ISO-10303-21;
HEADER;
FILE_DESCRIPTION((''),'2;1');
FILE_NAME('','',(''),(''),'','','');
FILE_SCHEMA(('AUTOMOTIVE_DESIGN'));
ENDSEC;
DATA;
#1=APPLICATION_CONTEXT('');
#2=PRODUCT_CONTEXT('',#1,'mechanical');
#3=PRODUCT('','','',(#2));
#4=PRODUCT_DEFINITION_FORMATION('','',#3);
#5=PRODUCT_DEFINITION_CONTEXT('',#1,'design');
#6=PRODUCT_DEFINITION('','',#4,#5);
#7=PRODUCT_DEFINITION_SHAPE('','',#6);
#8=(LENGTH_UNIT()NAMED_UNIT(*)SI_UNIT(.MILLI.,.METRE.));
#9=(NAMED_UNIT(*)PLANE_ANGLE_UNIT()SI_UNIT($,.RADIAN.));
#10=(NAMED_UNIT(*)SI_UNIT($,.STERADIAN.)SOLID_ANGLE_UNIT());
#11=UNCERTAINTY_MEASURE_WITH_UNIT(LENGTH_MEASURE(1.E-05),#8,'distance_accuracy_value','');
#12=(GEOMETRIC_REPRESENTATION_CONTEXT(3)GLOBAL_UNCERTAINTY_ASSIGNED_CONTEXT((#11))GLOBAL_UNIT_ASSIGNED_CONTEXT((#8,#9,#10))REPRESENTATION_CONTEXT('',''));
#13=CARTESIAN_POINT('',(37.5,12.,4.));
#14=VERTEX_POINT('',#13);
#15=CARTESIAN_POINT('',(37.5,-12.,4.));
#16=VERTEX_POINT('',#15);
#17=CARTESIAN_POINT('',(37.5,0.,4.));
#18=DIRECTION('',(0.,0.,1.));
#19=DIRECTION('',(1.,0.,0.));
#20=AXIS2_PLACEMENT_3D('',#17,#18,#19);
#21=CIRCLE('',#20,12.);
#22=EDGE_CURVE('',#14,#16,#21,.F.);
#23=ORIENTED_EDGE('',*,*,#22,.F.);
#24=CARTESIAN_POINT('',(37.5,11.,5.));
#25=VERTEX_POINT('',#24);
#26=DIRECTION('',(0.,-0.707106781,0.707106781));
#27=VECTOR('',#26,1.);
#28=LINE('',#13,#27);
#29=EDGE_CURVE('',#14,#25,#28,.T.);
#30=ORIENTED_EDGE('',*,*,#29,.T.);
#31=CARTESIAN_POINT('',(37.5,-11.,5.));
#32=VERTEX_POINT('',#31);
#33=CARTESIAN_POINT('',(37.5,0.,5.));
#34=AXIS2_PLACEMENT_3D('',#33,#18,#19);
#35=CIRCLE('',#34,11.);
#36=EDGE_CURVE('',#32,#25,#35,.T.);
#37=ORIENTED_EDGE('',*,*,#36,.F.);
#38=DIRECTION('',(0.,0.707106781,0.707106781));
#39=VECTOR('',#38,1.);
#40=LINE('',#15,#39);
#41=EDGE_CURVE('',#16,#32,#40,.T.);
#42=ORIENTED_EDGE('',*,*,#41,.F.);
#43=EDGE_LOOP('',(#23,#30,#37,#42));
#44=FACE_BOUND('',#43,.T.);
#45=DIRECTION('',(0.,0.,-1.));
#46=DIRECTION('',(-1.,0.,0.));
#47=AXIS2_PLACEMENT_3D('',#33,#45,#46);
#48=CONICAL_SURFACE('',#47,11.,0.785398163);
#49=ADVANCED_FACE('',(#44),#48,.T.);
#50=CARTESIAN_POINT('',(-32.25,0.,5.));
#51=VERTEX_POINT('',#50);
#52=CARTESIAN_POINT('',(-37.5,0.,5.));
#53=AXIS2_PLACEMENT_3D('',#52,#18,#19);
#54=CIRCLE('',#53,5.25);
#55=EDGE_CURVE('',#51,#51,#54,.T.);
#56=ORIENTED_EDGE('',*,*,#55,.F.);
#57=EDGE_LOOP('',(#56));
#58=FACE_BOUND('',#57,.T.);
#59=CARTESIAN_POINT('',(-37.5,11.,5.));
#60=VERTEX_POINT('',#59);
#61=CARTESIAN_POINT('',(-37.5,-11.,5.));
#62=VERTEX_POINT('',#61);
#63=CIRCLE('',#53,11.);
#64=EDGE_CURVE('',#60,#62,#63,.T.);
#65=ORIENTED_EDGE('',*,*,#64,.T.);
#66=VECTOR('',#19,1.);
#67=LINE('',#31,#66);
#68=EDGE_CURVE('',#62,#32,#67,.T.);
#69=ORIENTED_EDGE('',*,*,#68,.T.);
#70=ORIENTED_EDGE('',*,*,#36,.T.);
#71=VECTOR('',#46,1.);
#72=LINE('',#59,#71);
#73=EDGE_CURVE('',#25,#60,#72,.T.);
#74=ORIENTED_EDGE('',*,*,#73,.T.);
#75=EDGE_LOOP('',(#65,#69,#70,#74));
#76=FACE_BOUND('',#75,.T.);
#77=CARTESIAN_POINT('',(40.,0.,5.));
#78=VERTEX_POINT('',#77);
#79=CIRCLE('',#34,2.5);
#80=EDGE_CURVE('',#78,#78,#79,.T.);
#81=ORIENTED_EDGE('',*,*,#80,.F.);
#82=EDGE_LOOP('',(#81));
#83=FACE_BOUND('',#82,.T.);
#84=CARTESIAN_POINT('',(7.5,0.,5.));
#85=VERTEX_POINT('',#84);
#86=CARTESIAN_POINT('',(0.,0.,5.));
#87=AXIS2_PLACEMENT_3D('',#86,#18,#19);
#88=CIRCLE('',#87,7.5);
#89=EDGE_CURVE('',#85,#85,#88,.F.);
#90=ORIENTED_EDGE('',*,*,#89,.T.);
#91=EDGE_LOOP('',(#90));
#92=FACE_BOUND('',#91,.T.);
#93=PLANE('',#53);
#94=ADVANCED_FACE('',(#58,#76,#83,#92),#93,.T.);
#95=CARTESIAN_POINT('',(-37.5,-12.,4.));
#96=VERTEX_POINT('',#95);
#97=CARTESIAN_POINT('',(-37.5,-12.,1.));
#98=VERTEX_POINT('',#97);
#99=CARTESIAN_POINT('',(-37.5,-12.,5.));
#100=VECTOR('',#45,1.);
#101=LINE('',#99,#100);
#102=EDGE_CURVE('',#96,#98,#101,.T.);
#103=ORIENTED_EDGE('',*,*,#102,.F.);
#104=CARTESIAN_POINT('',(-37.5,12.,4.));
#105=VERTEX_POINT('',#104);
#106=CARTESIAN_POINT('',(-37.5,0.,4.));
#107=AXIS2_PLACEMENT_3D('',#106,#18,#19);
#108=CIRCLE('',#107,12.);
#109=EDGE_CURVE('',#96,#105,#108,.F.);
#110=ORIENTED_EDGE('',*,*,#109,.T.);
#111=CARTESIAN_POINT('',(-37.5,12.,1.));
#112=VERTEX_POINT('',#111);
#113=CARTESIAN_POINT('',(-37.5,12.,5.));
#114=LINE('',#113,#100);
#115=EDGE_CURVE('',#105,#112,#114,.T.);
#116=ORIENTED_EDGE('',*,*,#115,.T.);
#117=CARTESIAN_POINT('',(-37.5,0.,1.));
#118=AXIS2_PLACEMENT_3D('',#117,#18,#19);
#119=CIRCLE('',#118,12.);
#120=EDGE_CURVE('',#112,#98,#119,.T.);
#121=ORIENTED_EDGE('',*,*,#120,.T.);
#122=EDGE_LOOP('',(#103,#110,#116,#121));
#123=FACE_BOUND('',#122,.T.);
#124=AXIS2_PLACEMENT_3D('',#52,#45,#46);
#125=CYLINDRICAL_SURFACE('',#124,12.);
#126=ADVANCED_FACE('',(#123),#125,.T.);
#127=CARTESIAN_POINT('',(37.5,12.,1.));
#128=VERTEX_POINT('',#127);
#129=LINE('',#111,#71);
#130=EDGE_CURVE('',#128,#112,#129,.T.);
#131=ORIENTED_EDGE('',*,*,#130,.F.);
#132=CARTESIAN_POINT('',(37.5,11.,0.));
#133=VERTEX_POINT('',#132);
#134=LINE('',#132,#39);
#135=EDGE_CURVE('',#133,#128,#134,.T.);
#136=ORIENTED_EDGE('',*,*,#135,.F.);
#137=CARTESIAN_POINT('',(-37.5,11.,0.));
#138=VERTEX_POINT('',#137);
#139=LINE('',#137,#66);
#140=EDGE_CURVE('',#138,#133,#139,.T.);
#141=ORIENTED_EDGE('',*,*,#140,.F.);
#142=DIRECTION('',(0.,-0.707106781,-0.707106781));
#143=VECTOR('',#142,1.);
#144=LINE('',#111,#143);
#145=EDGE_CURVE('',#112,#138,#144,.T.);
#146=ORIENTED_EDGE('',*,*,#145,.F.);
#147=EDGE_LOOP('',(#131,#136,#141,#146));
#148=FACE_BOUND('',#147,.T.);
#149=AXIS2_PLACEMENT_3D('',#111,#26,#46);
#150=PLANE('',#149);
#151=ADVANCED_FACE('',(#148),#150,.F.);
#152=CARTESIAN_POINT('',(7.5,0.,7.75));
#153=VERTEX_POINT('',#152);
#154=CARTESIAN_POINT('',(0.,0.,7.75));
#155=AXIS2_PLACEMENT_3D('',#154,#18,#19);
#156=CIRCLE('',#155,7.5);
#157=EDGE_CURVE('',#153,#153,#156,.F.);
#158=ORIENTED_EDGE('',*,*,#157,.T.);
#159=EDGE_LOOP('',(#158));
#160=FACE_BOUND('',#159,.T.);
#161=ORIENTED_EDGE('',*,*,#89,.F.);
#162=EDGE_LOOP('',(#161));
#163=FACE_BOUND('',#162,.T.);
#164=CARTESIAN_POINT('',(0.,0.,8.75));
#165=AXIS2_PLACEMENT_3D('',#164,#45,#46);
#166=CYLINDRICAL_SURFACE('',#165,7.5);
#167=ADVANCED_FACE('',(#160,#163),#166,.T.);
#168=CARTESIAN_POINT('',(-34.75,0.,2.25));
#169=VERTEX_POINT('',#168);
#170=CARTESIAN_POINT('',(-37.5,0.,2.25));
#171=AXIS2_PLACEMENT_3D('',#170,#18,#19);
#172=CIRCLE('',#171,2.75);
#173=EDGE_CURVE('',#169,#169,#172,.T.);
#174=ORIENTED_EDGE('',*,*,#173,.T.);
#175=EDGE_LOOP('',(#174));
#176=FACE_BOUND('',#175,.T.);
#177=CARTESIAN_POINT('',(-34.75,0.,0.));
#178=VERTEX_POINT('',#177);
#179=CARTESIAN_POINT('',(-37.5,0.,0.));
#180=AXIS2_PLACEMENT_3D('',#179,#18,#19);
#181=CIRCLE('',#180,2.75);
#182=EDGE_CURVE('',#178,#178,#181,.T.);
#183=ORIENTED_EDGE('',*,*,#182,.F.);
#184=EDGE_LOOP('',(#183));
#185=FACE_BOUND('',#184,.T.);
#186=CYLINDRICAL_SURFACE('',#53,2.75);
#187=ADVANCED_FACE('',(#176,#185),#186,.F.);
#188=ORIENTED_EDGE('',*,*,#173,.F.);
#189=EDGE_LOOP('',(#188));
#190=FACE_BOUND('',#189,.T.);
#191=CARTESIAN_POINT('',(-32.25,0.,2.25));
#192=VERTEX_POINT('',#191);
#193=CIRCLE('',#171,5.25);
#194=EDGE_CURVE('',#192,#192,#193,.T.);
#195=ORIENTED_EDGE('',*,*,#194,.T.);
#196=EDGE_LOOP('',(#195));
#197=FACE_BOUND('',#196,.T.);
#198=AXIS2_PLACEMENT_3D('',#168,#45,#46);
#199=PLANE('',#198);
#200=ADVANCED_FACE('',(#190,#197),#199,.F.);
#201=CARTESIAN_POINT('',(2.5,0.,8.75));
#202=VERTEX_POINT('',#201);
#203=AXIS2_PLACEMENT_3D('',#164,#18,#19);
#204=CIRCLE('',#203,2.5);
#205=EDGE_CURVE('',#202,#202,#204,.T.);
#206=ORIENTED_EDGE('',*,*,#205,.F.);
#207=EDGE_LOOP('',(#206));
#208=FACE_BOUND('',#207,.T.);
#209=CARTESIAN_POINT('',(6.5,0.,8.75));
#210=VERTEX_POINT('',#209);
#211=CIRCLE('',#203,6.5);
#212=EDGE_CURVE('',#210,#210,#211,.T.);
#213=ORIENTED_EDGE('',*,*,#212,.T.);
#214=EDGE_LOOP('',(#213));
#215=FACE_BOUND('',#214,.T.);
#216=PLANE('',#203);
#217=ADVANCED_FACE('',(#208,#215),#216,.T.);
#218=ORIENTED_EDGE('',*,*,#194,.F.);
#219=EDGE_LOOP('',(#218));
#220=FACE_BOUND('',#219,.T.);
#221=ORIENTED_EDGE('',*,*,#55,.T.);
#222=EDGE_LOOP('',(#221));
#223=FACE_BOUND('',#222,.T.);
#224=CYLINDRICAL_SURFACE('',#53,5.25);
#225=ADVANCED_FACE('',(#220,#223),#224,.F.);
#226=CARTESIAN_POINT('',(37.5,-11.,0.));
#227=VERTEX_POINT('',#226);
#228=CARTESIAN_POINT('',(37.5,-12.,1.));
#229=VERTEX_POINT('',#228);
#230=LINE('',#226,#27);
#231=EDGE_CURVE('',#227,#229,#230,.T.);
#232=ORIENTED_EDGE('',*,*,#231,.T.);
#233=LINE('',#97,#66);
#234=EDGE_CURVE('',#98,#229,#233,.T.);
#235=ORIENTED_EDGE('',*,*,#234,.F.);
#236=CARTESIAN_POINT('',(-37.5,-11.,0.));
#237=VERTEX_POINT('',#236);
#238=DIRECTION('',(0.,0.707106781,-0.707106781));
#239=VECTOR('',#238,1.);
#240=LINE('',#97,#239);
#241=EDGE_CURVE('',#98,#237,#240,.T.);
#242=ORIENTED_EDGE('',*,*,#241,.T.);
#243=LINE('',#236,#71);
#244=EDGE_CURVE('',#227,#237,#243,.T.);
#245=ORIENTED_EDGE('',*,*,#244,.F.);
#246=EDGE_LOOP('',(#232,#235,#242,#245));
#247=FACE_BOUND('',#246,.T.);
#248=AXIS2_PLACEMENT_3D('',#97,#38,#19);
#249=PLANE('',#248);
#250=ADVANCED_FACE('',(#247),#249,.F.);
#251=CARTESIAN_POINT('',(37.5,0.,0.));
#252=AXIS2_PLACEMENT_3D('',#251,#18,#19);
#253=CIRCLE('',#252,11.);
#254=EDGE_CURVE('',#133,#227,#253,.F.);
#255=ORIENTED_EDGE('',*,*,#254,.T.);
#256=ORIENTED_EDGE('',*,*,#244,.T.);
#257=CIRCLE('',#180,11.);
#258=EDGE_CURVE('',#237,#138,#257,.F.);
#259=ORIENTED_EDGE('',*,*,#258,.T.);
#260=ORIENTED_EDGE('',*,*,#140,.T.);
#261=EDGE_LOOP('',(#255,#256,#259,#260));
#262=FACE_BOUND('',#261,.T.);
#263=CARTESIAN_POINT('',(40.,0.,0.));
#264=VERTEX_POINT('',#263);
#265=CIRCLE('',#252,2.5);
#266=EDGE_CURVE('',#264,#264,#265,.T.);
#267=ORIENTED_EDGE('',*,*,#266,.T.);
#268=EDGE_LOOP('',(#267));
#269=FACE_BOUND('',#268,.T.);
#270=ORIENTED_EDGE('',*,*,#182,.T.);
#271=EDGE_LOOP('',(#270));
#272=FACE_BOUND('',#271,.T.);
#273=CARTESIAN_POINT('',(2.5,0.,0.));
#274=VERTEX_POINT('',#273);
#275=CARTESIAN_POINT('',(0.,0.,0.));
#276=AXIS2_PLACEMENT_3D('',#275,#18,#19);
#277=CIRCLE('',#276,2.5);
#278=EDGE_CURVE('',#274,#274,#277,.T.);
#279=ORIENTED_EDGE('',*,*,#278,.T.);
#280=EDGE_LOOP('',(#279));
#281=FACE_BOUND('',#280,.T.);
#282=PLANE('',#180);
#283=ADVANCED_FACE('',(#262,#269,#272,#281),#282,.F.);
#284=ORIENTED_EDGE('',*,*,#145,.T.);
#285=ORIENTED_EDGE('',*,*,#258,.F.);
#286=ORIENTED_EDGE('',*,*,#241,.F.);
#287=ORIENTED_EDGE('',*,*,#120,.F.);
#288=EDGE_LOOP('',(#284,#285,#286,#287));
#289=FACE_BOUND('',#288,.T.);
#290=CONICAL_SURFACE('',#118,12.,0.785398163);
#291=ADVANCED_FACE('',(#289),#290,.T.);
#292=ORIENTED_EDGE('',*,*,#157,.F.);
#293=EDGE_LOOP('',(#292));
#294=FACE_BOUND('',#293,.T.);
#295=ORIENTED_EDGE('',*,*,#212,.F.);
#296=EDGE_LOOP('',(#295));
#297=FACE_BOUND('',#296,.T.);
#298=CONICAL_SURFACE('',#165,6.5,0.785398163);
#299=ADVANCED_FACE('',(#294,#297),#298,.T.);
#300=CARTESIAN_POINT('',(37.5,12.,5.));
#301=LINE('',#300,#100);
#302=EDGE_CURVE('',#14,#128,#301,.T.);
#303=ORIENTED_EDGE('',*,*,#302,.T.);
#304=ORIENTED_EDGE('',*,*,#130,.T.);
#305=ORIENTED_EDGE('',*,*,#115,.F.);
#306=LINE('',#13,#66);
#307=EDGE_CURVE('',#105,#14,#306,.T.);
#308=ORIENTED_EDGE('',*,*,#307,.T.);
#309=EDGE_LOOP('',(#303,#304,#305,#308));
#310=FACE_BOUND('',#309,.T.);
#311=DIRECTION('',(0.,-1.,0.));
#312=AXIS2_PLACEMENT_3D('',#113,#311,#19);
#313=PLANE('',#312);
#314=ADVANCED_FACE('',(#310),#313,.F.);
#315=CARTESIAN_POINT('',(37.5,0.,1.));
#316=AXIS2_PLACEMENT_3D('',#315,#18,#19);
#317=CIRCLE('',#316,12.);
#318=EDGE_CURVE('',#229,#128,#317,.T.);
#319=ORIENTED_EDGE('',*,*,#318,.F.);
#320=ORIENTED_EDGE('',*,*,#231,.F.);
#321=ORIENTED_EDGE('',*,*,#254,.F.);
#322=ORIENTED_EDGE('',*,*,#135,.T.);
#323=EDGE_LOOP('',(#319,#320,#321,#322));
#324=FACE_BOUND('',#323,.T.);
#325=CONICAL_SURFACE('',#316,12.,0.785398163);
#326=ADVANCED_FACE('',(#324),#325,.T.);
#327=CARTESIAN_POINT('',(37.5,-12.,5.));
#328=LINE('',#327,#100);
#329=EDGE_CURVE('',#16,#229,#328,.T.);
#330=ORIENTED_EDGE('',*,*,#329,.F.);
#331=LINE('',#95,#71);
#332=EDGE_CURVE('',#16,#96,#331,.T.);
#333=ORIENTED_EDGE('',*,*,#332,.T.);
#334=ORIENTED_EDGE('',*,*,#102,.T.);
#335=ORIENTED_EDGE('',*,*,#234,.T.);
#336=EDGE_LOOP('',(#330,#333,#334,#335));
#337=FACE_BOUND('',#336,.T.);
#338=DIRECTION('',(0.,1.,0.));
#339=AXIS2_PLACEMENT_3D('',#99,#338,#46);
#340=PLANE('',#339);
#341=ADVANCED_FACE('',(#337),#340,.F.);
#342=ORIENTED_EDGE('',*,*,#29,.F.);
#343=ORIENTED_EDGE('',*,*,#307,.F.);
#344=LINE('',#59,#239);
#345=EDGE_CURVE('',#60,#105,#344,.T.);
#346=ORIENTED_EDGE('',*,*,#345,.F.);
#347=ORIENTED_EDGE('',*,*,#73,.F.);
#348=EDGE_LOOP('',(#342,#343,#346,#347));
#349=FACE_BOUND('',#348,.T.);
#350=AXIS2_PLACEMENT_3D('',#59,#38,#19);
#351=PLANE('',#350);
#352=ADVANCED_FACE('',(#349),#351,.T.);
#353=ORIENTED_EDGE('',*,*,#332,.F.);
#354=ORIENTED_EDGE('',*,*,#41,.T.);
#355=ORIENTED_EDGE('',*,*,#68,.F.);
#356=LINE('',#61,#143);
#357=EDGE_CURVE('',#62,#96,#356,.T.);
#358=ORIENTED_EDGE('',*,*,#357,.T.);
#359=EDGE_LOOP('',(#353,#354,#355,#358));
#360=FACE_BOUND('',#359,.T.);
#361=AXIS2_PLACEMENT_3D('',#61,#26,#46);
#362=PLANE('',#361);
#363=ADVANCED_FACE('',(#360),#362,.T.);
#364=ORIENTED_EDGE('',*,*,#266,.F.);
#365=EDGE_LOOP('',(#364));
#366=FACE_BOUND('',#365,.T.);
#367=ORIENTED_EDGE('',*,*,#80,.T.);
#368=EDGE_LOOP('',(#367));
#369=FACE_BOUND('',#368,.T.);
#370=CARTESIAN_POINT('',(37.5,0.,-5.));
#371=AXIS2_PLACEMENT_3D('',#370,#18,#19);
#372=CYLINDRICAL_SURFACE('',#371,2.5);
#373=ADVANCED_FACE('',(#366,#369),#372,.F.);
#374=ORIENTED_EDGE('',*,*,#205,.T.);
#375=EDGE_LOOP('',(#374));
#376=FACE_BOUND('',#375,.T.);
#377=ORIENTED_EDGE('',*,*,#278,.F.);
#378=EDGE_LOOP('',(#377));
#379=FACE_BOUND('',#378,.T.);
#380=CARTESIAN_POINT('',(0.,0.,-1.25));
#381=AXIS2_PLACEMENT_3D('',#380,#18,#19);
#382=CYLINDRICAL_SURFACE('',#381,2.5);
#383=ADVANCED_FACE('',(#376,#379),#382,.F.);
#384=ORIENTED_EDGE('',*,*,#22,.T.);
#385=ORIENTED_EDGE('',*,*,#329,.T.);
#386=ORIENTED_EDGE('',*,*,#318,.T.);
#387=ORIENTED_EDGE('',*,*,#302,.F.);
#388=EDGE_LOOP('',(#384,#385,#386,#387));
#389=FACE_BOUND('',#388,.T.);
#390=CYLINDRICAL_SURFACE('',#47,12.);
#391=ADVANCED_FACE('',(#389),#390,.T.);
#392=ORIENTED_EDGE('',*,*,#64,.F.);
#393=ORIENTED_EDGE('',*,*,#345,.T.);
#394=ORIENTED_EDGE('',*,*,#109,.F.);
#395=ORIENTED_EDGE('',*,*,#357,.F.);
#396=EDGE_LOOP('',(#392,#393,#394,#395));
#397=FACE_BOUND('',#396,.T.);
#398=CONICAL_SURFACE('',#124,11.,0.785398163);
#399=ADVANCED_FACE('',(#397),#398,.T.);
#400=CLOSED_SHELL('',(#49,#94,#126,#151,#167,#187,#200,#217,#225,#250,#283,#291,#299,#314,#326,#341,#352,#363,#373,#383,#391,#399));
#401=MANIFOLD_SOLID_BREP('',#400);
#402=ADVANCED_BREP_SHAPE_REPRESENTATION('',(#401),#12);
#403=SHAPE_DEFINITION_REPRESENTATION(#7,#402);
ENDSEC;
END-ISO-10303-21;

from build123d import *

# Parameters (mm, degrees)
BOSS_EXTRUDE1_DEPTH             = 5
SKETCH4_R                       = 7.5
BOSS_EXTRUDE3_DEPTH             = 8.75
SKETCH5_R                       = 2.5
CUT_EXTRUDE2_DEPTH              = 10
CBORE_FOR_M5_SBHCS1_D           = 5.5
CBORE_FOR_M5_SBHCS1_CBORE_D     = 10.5
CBORE_FOR_M5_SBHCS1_CBORE_DEPTH = 2.75
SKETCH8_R                       = 2.5
CUT_EXTRUDE3_DEPTH              = 10
CHAMFER1_SIZE                   = 1


with BuildPart() as part:
    # Sketch2 → Boss-Extrude1 (new body)
    with BuildSketch(Plane.XY):
        with BuildLine():
            Line((-37.5, 12), (37.5, 12))
            ThreePointArc((37.5, 12), (49.5, 0), (37.5, -12))
            Line((37.5, -12), (-37.5, -12))
            ThreePointArc((-37.5, -12), (-49.5, 0), (-37.5, 12))
        make_face()
    extrude(amount=BOSS_EXTRUDE1_DEPTH)

    # Sketch4 → Boss-Extrude3 (add)
    with BuildSketch(Plane.XY):
        Circle(SKETCH4_R)
    extrude(amount=BOSS_EXTRUDE3_DEPTH)

    # Sketch5 → Cut-Extrude2 (cut)
    with BuildSketch(Plane.XY.offset(8.75)):
        Circle(SKETCH5_R)
    extrude(amount=-CUT_EXTRUDE2_DEPTH, mode=Mode.SUBTRACT)

    # CBORE for M5 SBHCS1 (through all)
    with Locations(Plane.XY.offset(5)):
        with Locations((-37.5, 0)):
            CounterBoreHole(CBORE_FOR_M5_SBHCS1_D / 2, CBORE_FOR_M5_SBHCS1_CBORE_D / 2, CBORE_FOR_M5_SBHCS1_CBORE_DEPTH)

    # Sketch8 → Cut-Extrude3 (cut)
    with BuildSketch(Plane.XY.offset(5)):
        with Locations((37.5, 0)):
            Circle(SKETCH8_R)
    extrude(amount=-CUT_EXTRUDE3_DEPTH, mode=Mode.SUBTRACT)

    # Chamfer1
    chamfer1_edges = [part.edges().sort_by_distance(p)[0] for p in [
        (49.5, 0, 5),
        (-7.5, 0, 8.75),
        (0, 12, 5),
        (-49.5, 0, 5),
        (0, 12, 0),
        (49.5, 0, 0),
        (0, -12, 0),
        (-49.5, 0, 0),
        (0, -12, 5),
    ]]
    chamfer(chamfer1_edges, length=CHAMFER1_SIZE)


solid = part.part
